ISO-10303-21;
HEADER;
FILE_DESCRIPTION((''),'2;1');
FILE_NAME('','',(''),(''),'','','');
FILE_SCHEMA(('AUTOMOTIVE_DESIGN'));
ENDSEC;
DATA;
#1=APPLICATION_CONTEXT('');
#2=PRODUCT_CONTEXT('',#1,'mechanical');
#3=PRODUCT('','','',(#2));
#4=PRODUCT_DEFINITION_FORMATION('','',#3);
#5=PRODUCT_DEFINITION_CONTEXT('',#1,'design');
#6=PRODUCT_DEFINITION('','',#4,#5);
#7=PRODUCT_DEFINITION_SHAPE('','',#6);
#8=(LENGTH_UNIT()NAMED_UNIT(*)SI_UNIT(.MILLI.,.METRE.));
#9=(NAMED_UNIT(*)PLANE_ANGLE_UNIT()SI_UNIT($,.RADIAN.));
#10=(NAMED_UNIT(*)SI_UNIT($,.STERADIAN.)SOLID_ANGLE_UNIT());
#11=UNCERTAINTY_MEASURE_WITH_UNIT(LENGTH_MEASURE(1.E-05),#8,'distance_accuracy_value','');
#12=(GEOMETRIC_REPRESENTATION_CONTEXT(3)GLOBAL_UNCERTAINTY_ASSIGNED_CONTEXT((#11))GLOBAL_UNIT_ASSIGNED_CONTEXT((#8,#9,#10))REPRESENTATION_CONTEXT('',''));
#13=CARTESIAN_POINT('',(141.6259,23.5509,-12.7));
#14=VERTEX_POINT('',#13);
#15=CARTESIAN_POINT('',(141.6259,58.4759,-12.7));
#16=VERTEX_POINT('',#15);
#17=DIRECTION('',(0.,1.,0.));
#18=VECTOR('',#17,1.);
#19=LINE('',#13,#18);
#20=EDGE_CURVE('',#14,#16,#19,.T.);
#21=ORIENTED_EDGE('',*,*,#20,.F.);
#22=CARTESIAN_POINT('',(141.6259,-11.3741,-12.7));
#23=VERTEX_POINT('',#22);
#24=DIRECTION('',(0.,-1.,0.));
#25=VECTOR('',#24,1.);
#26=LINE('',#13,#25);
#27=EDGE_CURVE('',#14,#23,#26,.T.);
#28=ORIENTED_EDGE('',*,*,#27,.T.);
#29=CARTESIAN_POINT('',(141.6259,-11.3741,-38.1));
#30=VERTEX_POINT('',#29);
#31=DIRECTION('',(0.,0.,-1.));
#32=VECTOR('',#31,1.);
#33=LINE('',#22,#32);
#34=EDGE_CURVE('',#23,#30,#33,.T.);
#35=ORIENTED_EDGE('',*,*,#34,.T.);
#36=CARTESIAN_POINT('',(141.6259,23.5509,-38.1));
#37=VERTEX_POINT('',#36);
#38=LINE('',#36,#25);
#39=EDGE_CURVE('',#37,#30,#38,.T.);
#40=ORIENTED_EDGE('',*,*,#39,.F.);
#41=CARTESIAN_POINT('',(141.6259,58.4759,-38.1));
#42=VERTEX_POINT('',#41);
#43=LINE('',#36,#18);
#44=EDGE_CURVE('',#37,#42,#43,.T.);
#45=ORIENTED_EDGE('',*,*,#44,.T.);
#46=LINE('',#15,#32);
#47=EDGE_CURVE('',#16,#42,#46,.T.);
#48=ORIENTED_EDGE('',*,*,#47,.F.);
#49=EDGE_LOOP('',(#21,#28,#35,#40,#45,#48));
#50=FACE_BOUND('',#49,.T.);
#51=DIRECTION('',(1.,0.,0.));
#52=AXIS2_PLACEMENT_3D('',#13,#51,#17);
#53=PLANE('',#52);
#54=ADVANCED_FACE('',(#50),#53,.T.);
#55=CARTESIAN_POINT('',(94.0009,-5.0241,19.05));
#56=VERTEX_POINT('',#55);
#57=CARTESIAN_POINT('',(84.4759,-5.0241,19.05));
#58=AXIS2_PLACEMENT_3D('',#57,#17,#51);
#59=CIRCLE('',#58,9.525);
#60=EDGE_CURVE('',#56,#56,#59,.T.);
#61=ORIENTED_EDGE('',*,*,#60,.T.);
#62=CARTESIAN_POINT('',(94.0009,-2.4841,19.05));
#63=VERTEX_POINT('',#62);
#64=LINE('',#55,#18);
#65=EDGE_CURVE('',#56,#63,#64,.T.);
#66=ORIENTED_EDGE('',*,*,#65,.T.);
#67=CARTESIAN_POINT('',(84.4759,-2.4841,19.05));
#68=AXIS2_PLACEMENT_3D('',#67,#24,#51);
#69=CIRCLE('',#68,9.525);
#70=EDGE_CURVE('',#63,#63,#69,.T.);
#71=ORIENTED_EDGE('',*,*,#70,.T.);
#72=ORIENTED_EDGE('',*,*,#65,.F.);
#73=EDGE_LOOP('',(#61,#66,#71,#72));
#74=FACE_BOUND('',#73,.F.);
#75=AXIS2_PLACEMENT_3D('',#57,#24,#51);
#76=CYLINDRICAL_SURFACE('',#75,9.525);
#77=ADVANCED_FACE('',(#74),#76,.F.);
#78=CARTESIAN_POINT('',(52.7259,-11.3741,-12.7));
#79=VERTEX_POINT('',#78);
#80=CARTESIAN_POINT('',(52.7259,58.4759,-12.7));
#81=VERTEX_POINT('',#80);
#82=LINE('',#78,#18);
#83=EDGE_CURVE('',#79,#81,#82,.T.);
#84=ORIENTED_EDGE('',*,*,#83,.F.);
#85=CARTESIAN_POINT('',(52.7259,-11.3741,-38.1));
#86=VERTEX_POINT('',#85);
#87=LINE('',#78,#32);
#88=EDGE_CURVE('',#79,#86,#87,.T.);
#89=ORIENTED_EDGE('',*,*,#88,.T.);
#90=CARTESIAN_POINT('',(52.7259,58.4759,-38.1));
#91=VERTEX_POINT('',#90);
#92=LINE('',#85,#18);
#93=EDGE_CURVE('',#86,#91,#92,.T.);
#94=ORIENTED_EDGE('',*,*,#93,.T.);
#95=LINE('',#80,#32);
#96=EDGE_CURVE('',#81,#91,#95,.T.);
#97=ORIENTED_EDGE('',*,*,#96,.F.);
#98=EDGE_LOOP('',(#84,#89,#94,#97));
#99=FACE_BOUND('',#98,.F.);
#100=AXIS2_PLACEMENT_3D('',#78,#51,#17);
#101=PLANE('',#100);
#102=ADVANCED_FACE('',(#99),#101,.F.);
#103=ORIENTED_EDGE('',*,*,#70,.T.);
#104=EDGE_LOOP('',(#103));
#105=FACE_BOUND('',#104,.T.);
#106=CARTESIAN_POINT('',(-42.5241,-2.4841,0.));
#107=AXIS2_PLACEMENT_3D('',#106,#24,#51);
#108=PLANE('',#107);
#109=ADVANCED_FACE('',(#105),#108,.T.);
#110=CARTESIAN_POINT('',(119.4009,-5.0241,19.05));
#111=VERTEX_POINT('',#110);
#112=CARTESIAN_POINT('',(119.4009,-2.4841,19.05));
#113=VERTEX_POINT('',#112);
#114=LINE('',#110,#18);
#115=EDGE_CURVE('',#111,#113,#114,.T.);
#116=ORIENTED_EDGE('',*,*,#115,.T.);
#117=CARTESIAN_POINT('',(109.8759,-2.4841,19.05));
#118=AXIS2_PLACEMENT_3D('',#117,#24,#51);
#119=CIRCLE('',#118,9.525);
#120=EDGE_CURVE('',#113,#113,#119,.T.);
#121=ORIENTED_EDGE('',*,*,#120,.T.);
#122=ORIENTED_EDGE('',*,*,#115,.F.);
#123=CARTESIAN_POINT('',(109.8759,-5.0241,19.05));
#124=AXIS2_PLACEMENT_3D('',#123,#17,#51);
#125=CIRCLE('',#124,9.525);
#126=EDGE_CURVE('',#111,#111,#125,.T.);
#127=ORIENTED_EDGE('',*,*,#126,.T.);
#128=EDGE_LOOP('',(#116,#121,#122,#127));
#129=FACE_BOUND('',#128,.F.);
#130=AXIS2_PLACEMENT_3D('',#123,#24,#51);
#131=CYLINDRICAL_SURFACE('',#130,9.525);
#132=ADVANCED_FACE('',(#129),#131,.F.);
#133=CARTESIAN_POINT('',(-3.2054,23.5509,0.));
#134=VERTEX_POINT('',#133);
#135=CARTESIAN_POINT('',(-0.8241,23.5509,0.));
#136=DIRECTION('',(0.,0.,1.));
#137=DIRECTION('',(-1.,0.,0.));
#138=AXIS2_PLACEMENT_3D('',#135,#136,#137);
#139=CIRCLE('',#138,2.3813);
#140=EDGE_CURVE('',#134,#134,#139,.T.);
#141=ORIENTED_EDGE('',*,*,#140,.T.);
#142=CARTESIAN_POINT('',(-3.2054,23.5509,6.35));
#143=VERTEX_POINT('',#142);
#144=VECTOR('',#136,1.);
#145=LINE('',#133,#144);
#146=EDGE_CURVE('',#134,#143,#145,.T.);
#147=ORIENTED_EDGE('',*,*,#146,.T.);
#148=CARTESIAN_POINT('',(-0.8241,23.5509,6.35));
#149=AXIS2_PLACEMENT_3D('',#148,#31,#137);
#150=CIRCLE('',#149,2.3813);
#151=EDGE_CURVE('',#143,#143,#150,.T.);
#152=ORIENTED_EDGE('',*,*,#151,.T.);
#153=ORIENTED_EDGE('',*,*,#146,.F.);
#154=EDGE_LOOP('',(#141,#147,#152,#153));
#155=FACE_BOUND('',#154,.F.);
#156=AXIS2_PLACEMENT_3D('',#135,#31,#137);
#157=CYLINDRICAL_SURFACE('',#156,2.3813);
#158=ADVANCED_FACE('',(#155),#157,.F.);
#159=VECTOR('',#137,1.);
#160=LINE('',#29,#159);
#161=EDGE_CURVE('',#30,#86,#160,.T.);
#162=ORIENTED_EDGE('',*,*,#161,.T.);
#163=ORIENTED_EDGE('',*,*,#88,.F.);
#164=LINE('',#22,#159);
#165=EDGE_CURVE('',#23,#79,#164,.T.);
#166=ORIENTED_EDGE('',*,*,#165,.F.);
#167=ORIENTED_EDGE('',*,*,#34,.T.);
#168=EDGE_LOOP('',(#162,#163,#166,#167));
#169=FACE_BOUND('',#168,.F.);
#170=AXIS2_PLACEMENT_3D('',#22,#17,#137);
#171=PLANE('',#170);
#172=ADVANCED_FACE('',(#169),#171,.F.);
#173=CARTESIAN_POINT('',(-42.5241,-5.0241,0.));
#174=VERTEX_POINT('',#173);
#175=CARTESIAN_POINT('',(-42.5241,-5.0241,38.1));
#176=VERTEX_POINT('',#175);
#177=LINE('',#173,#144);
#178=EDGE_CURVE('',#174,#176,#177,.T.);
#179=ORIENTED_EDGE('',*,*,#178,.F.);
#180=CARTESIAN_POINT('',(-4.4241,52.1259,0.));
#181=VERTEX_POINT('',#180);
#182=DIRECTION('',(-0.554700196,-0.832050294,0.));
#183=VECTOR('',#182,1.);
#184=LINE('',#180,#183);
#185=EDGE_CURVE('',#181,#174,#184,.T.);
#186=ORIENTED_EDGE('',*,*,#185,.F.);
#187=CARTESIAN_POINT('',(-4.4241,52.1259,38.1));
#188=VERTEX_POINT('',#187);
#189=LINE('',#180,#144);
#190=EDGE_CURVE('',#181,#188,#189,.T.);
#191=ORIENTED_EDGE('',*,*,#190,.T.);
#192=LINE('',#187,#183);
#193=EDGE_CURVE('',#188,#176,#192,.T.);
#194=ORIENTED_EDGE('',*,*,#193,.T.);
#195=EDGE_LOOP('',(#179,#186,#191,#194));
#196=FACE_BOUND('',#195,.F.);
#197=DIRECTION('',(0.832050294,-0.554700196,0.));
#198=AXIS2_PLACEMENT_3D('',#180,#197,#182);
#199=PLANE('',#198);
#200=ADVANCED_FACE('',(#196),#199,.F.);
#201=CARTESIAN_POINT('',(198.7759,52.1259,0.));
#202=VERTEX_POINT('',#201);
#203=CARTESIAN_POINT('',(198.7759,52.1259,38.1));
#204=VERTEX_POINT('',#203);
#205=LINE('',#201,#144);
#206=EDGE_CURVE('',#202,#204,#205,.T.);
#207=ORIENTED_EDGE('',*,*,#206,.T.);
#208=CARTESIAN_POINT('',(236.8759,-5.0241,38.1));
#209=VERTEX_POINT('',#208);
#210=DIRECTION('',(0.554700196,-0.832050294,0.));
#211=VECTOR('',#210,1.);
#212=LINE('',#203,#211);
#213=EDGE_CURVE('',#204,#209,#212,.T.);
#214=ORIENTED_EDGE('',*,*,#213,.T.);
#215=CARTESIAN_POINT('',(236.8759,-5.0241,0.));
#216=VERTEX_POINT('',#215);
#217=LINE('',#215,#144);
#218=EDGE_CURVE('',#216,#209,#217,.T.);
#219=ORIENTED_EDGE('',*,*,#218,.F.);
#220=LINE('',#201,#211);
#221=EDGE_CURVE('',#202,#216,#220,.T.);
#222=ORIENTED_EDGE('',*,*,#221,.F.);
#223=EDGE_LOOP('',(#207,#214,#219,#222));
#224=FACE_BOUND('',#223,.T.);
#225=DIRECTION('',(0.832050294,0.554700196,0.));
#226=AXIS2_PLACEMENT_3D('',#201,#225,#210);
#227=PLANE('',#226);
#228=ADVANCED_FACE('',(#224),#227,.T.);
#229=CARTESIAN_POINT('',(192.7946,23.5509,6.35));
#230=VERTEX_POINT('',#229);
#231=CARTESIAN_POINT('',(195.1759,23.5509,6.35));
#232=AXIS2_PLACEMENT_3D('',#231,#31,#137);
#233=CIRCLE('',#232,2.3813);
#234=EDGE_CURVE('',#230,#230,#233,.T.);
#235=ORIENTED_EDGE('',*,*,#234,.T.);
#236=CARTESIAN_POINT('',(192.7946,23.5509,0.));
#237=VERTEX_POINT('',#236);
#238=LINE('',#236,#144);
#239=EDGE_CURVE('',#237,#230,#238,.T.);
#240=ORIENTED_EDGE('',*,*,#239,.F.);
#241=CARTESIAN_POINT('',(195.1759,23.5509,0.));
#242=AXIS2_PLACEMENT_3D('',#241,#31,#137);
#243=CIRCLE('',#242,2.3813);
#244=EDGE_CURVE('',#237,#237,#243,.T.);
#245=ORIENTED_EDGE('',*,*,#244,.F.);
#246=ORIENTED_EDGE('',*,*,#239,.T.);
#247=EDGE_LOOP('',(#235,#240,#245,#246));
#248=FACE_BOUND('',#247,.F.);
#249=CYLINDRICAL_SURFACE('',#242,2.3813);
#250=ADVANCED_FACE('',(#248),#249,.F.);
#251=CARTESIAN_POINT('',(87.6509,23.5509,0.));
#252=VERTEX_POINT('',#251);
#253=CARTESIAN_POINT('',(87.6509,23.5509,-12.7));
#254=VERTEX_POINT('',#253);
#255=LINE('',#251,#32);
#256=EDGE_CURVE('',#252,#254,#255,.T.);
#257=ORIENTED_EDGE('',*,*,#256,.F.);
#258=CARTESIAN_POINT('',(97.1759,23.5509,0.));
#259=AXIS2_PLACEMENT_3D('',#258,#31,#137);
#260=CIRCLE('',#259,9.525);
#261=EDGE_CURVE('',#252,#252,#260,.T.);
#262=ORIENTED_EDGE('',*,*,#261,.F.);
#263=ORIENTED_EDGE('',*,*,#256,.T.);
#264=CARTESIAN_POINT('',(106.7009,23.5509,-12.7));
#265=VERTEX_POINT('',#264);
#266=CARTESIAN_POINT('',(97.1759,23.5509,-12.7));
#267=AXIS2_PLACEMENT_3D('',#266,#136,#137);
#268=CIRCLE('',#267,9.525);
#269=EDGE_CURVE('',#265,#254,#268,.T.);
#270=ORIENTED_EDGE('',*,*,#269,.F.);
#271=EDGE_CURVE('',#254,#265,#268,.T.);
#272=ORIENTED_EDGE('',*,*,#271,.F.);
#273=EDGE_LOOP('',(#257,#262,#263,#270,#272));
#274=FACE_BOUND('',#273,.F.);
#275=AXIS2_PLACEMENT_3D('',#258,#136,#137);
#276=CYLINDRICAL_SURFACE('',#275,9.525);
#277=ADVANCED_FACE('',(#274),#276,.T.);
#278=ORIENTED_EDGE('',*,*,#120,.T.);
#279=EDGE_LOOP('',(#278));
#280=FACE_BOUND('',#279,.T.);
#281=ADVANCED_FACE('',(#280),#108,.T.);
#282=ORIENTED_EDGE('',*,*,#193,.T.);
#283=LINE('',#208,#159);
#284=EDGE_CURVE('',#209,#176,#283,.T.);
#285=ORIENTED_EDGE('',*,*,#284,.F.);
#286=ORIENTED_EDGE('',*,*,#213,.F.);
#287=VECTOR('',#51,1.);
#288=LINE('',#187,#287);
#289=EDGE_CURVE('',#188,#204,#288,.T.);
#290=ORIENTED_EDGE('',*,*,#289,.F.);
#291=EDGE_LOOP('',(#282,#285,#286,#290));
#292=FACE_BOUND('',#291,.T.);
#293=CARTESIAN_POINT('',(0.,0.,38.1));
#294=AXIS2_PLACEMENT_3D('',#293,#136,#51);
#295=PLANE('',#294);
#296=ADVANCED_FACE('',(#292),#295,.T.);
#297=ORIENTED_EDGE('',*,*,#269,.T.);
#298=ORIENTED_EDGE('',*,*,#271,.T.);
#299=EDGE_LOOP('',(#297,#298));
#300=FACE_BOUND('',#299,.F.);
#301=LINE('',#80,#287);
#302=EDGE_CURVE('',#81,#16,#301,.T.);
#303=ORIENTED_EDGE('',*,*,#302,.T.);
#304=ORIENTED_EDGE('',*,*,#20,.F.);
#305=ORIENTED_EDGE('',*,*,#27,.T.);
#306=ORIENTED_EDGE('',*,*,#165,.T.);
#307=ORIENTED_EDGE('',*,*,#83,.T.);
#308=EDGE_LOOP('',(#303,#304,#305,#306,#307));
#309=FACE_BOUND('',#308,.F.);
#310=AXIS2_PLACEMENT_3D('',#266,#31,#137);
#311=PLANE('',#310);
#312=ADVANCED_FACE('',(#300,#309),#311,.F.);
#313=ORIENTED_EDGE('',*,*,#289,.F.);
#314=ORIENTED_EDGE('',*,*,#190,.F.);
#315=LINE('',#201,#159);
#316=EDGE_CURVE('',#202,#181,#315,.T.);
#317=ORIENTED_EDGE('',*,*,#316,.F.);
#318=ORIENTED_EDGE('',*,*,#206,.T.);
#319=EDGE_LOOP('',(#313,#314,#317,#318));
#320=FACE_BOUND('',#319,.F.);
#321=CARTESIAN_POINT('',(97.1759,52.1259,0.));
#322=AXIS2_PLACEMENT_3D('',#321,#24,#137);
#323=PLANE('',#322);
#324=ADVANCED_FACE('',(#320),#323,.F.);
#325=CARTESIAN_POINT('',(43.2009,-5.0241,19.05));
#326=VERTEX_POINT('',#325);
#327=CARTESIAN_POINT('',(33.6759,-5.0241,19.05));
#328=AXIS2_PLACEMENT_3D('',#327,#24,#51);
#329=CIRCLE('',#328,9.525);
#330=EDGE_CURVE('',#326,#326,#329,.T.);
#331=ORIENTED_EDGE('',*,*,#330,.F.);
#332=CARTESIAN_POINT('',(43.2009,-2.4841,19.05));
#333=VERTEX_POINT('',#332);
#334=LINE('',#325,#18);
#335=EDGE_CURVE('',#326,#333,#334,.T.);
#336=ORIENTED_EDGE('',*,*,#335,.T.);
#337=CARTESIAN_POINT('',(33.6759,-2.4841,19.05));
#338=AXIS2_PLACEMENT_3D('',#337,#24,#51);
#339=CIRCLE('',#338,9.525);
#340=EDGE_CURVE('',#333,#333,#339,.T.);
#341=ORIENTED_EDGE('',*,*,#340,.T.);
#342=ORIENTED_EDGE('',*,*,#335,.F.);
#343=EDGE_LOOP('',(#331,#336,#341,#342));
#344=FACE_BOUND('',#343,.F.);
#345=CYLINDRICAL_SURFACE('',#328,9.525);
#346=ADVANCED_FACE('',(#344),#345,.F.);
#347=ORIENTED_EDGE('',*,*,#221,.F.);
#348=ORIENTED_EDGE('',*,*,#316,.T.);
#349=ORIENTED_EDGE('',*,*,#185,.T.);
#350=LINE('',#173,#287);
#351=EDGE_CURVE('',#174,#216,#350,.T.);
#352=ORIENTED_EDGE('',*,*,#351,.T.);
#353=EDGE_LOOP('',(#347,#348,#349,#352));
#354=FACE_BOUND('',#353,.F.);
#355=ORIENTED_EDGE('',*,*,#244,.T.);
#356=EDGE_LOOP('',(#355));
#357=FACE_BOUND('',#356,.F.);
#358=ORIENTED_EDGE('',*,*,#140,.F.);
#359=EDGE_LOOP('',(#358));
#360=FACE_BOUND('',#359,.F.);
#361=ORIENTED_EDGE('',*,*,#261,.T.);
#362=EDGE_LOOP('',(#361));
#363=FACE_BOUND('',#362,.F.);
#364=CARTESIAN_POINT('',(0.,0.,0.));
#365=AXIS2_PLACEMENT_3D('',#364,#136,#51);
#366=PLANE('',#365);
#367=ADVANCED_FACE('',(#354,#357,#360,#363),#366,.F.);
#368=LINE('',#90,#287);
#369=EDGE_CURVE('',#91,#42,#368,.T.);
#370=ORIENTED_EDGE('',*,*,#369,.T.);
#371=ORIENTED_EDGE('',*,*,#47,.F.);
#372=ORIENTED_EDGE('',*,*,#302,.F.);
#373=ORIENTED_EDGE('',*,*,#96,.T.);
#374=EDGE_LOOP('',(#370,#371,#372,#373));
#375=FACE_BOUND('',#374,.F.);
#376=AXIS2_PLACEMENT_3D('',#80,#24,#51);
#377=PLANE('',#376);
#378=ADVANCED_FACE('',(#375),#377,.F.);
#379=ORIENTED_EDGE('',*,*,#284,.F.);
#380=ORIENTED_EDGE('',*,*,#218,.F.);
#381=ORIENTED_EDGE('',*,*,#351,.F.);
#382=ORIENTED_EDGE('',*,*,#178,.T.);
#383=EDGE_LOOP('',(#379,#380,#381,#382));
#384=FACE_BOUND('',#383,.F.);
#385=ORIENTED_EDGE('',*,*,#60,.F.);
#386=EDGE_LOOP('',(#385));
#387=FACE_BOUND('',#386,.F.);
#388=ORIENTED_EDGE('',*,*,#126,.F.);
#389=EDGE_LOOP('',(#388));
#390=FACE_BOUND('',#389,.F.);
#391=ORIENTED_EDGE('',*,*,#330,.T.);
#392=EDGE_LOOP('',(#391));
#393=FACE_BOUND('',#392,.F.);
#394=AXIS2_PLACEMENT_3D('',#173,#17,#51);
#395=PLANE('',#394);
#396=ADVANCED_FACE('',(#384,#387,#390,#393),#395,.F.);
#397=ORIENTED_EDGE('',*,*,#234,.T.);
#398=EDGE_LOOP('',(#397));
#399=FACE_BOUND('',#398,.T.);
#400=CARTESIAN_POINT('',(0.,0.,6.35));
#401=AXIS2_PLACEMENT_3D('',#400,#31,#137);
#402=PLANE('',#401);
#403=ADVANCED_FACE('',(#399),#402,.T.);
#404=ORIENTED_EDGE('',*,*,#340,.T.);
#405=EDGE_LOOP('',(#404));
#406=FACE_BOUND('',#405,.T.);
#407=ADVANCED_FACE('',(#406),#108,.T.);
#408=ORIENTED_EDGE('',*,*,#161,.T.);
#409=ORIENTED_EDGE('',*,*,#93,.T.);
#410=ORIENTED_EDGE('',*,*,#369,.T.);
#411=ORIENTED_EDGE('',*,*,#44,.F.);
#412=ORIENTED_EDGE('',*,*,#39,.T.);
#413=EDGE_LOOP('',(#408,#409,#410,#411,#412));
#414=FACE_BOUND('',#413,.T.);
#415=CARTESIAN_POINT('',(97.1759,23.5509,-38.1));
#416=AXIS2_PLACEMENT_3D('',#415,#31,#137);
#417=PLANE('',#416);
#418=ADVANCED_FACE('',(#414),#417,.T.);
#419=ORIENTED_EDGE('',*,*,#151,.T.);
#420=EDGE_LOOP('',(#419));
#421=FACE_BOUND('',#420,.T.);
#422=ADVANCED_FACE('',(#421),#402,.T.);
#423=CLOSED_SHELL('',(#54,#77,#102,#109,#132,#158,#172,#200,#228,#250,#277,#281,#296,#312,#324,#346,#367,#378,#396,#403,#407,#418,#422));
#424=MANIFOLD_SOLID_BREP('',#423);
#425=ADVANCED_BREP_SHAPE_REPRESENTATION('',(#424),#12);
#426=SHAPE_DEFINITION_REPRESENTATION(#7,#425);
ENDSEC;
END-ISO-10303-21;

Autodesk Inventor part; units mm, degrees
ref_plane "YZ Plane" through (0, 0, 0) normal (1, 0, 0) x (0, 1, 0)
ref_plane "XZ Plane" through (0, 0, 0) normal (0, 1, 0) x (-1, 0, 0)
ref_plane "XY Plane" through (0, 0, 0) normal (0, 0, 1) x (1, 0, 0)
sketch "Sketch1" plane through (0, 0, 0) normal (0, 0, 1) x (1, 0, 0)
  line L0 (-42.5241, -5.0241) -> (236.8759, -5.0241)
  line L1 (97.1759, -5.0241) -> (97.1759, 52.1259)
  line L2 (97.1759, 52.1259) -> (-4.4241, 52.1259)
  line L3 (-4.4241, 52.1259) -> (198.7759, 52.1259)
  line L4 (198.7759, 52.1259) -> (236.8759, -5.0241)
  line L5 (-4.4241, 52.1259) -> (-42.5241, -5.0241)
  point P0 (0, 0)
  dimension "d0" = 279.4
  dimension "d1" = 57.15
  dimension "d2" = 101.6
  dimension "d3" = 203.2
extrude "Extrusion1" add sketch "Sketch1" along normal blind 38.1
sketch "Sketch2" plane through (0, 0, 0) normal (0, 0, -1) x (-1, 0, 0)
  line L0 (-236.8759, -5.0241) -> (-198.7759, 52.1259) projected
  line L1 (42.5241, -5.0241) -> (-236.8759, -5.0241) projected
  line L2 (4.4241, 52.1259) -> (42.5241, -5.0241) projected
  line L3 (-198.7759, 52.1259) -> (4.4241, 52.1259) projected
  line L4 (23.4741, 23.5509) -> (-217.8259, 23.5509)
  line L5 (-97.1759, -5.0241) -> (-97.1759, 52.1259)
  circle A0 centre (-97.1759, 23.5509) radius 9.525
  point P0 (0, 0)
  dimension "d6" = 19.05
extrude "Extrusion2" add sketch "Sketch2" along normal blind 12.7 contours A0 L5 L4 | L4 L5 A0 | L5 L4 A0 | L5 A0 L4
sketch "Sketch3" plane through (97.1759, 23.5509, -12.7) normal (0, 0, -1) x (-1, 0, 0)
  circle A0 centre (0, 0) radius 9.525 projected
  line L0 (0, 0) -> (-44.45, 0)
  line L1 (-44.45, 0) -> (-44.45, -34.925)
  line L2 (-44.45, -34.925) -> (44.45, -34.925)
  line L3 (44.45, -34.925) -> (44.45, 34.925)
  line L4 (44.45, 34.925) -> (-44.45, 34.925)
  line L5 (-44.45, 0) -> (-44.45, 34.925)
  point P0 (97.1759, -23.5509)
  dimension "d9" = 44.45
  dimension "d10" = 34.925
  dimension "d11" = 88.9
  dimension "d12" = 69.85
extrude "Extrusion3" add sketch "Sketch3" along normal blind 25.4 contours A0 | L5 L4 L3 L2 L1
sketch "Sketch4" plane through (-42.5241, -5.0241, 0) normal (0, -1, 0) x (1, 0, 0)
  line L0 (0, 0) -> (279.4, 0) projected
  line L1 (279.4, 0) -> (279.4, 38.1) projected
  line L2 (139.7, 0) -> (139.7, 19.05)
  line L3 (139.7, 19.05) -> (152.4, 19.05)
  line L4 (152.4, 19.05) -> (139.7, 19.05)
  line L5 (139.7, 19.05) -> (127, 19.05)
  circle A0 centre (127, 19.05) radius 9.525
  circle A1 centre (152.4, 19.05) radius 9.525
  line L6 (139.7, 19.05) -> (76.2, 19.05)
  circle A2 centre (76.2, 19.05) radius 9.525
  point P0 (42.5241, 0)
  dimension "d15" = 12.7
  dimension "d16" = 12.7
  dimension "d17" = 12.7
  dimension "d18" = 19.05
  dimension "d19" = 19.05
  dimension "d20" = 63.5
extrude "Extrusion4" cut sketch "Sketch4" against normal blind 2.54
sketch "Sketch5" plane through (0, 0, 0) normal (0, 0, -1) x (-1, 0, 0)
  circle A0 centre (-97.1759, 23.5509) radius 9.525 projected
  line L0 (-198.7759, 52.1259) -> (4.4241, 52.1259) projected
  line L1 (-97.1759, 23.5509) -> (0.8241, 23.5509)
  line L2 (-97.1759, 23.5509) -> (-195.1759, 23.5509)
  circle A1 centre (-195.1759, 23.5509) radius 2.3813
  circle A2 centre (0.8241, 23.5509) radius 2.3813
  point P0 (0, 0)
  dimension "d23" = 98
  dimension "d24" = 98
  dimension "d25" = 4.7625
extrude "Extrusion5" cut sketch "Sketch5" against normal blind 6.35 contours A1 | A2
properties part number "kinect basic"
